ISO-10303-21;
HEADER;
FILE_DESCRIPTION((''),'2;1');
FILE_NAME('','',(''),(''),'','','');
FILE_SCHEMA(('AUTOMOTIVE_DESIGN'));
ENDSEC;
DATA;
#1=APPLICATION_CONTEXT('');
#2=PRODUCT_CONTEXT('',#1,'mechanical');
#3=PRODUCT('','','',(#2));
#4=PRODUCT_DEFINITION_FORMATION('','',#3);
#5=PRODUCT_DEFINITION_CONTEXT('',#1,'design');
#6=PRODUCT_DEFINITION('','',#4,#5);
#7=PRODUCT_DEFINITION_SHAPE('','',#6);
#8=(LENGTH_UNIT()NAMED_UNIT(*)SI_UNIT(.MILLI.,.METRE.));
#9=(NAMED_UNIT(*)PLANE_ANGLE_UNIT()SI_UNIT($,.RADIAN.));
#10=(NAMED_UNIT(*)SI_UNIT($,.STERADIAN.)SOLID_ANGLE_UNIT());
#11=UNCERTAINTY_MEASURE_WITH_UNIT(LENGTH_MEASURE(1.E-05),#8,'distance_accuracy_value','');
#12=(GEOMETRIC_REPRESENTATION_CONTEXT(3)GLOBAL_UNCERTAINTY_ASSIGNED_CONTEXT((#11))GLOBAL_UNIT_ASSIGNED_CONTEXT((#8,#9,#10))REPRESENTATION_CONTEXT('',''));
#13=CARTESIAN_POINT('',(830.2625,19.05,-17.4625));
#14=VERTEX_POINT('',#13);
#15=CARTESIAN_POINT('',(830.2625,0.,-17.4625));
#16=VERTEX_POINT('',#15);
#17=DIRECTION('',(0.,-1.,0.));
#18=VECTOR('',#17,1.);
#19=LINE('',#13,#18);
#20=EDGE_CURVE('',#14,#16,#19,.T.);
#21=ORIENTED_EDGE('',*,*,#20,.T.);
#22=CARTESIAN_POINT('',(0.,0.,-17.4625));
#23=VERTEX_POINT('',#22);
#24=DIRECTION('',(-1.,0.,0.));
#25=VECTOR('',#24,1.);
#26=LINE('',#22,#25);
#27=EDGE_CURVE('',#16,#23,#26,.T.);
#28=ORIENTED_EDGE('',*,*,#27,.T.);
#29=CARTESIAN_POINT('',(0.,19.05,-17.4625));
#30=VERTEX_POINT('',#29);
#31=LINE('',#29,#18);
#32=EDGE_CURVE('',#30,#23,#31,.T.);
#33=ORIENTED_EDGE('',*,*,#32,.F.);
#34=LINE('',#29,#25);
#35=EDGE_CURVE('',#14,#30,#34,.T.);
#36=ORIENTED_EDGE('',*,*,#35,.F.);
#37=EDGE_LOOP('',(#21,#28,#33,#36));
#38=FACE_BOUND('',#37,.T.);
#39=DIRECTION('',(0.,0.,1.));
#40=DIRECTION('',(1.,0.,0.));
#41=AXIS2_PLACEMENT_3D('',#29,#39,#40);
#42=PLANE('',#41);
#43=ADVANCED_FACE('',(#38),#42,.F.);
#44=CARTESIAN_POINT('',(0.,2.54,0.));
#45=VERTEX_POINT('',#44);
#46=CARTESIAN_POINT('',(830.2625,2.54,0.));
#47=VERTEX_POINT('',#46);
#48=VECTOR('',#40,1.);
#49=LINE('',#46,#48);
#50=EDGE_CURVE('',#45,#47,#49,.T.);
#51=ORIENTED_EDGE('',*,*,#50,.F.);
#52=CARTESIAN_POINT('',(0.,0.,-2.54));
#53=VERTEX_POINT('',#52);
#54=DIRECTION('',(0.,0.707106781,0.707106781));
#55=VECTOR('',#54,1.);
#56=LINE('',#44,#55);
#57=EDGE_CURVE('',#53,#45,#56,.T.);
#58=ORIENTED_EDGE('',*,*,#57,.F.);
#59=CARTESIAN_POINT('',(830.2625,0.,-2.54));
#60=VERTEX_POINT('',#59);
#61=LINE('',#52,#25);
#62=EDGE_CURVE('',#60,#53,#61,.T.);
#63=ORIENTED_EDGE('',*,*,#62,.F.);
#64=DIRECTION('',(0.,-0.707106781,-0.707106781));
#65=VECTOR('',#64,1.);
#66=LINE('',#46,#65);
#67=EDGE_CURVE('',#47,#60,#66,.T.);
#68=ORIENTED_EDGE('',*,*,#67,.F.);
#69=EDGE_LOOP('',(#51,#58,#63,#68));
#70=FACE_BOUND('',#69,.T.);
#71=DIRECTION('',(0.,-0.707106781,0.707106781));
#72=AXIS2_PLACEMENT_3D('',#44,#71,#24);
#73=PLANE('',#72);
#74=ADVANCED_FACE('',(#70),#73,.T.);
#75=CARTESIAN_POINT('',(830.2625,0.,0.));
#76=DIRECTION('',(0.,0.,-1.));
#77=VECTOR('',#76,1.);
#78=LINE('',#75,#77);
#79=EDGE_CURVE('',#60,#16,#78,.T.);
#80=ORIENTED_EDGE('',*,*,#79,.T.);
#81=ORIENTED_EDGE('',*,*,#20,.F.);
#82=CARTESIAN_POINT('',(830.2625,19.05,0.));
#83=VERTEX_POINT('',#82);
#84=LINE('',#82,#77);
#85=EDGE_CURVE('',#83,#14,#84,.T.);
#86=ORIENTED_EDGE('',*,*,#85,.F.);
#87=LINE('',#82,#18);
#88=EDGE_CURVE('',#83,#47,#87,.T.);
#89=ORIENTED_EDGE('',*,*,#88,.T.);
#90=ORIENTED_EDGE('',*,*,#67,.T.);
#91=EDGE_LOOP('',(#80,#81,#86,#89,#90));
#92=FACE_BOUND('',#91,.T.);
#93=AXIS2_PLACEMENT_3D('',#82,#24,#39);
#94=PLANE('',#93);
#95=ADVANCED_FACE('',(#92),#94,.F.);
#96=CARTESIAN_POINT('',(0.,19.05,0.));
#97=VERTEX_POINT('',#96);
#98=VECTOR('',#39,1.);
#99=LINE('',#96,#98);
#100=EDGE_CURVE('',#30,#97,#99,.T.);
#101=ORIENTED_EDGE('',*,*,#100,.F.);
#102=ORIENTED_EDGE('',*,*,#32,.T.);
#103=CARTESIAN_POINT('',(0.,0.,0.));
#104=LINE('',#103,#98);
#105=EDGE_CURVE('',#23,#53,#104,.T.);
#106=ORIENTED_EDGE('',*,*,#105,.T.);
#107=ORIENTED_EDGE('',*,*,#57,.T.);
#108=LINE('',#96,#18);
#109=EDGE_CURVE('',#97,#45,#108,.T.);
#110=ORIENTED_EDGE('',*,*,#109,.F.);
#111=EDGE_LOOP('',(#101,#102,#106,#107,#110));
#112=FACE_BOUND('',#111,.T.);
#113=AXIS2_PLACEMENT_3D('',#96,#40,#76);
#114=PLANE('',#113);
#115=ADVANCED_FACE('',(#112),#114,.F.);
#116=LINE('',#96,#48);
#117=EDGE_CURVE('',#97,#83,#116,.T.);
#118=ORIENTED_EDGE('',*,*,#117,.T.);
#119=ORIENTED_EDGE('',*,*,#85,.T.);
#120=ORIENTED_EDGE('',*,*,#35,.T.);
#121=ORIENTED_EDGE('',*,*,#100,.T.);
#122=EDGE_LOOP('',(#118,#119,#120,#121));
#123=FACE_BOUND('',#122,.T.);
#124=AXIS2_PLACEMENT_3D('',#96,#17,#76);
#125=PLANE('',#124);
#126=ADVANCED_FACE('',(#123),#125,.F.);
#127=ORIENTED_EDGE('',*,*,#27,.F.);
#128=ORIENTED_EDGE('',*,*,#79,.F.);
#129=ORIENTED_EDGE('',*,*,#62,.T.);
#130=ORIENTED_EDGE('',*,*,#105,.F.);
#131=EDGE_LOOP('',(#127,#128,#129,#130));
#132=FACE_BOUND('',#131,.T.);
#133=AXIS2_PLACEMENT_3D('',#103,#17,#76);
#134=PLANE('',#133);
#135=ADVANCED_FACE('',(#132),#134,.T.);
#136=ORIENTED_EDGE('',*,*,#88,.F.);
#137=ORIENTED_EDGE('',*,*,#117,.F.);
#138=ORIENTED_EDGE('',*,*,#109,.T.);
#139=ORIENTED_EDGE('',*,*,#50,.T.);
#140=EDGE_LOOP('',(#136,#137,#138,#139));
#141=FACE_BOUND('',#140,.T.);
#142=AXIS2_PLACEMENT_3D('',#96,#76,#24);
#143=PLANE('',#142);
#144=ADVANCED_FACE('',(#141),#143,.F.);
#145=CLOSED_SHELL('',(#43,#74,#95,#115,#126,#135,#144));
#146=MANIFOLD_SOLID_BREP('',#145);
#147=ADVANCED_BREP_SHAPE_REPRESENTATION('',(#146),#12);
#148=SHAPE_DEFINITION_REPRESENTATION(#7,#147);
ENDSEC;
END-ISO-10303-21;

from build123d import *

# Parameters (mm, degrees)
SKETCH1_W           = 830.2625
SKETCH1_H           = 17.4625
BOSS_EXTRUDE1_DEPTH = 19.05
CHAMFER1_SIZE       = 2.54


with BuildPart() as part:
    # Sketch1 → Boss-Extrude1 (new body)
    with BuildSketch(Plane(origin=(0, 0, 0), x_dir=(1, 0, 0), z_dir=(0, 1, 0))):
        with Locations((415.13125, 8.73125)):
            Rectangle(SKETCH1_W, SKETCH1_H)
    extrude(amount=BOSS_EXTRUDE1_DEPTH)

    # Chamfer1
    chamfer1_edges = [part.edges().sort_by_distance(p)[0] for p in [
        (415.13125, 0, 0),
    ]]
    chamfer(chamfer1_edges, length=CHAMFER1_SIZE)


solid = part.part
